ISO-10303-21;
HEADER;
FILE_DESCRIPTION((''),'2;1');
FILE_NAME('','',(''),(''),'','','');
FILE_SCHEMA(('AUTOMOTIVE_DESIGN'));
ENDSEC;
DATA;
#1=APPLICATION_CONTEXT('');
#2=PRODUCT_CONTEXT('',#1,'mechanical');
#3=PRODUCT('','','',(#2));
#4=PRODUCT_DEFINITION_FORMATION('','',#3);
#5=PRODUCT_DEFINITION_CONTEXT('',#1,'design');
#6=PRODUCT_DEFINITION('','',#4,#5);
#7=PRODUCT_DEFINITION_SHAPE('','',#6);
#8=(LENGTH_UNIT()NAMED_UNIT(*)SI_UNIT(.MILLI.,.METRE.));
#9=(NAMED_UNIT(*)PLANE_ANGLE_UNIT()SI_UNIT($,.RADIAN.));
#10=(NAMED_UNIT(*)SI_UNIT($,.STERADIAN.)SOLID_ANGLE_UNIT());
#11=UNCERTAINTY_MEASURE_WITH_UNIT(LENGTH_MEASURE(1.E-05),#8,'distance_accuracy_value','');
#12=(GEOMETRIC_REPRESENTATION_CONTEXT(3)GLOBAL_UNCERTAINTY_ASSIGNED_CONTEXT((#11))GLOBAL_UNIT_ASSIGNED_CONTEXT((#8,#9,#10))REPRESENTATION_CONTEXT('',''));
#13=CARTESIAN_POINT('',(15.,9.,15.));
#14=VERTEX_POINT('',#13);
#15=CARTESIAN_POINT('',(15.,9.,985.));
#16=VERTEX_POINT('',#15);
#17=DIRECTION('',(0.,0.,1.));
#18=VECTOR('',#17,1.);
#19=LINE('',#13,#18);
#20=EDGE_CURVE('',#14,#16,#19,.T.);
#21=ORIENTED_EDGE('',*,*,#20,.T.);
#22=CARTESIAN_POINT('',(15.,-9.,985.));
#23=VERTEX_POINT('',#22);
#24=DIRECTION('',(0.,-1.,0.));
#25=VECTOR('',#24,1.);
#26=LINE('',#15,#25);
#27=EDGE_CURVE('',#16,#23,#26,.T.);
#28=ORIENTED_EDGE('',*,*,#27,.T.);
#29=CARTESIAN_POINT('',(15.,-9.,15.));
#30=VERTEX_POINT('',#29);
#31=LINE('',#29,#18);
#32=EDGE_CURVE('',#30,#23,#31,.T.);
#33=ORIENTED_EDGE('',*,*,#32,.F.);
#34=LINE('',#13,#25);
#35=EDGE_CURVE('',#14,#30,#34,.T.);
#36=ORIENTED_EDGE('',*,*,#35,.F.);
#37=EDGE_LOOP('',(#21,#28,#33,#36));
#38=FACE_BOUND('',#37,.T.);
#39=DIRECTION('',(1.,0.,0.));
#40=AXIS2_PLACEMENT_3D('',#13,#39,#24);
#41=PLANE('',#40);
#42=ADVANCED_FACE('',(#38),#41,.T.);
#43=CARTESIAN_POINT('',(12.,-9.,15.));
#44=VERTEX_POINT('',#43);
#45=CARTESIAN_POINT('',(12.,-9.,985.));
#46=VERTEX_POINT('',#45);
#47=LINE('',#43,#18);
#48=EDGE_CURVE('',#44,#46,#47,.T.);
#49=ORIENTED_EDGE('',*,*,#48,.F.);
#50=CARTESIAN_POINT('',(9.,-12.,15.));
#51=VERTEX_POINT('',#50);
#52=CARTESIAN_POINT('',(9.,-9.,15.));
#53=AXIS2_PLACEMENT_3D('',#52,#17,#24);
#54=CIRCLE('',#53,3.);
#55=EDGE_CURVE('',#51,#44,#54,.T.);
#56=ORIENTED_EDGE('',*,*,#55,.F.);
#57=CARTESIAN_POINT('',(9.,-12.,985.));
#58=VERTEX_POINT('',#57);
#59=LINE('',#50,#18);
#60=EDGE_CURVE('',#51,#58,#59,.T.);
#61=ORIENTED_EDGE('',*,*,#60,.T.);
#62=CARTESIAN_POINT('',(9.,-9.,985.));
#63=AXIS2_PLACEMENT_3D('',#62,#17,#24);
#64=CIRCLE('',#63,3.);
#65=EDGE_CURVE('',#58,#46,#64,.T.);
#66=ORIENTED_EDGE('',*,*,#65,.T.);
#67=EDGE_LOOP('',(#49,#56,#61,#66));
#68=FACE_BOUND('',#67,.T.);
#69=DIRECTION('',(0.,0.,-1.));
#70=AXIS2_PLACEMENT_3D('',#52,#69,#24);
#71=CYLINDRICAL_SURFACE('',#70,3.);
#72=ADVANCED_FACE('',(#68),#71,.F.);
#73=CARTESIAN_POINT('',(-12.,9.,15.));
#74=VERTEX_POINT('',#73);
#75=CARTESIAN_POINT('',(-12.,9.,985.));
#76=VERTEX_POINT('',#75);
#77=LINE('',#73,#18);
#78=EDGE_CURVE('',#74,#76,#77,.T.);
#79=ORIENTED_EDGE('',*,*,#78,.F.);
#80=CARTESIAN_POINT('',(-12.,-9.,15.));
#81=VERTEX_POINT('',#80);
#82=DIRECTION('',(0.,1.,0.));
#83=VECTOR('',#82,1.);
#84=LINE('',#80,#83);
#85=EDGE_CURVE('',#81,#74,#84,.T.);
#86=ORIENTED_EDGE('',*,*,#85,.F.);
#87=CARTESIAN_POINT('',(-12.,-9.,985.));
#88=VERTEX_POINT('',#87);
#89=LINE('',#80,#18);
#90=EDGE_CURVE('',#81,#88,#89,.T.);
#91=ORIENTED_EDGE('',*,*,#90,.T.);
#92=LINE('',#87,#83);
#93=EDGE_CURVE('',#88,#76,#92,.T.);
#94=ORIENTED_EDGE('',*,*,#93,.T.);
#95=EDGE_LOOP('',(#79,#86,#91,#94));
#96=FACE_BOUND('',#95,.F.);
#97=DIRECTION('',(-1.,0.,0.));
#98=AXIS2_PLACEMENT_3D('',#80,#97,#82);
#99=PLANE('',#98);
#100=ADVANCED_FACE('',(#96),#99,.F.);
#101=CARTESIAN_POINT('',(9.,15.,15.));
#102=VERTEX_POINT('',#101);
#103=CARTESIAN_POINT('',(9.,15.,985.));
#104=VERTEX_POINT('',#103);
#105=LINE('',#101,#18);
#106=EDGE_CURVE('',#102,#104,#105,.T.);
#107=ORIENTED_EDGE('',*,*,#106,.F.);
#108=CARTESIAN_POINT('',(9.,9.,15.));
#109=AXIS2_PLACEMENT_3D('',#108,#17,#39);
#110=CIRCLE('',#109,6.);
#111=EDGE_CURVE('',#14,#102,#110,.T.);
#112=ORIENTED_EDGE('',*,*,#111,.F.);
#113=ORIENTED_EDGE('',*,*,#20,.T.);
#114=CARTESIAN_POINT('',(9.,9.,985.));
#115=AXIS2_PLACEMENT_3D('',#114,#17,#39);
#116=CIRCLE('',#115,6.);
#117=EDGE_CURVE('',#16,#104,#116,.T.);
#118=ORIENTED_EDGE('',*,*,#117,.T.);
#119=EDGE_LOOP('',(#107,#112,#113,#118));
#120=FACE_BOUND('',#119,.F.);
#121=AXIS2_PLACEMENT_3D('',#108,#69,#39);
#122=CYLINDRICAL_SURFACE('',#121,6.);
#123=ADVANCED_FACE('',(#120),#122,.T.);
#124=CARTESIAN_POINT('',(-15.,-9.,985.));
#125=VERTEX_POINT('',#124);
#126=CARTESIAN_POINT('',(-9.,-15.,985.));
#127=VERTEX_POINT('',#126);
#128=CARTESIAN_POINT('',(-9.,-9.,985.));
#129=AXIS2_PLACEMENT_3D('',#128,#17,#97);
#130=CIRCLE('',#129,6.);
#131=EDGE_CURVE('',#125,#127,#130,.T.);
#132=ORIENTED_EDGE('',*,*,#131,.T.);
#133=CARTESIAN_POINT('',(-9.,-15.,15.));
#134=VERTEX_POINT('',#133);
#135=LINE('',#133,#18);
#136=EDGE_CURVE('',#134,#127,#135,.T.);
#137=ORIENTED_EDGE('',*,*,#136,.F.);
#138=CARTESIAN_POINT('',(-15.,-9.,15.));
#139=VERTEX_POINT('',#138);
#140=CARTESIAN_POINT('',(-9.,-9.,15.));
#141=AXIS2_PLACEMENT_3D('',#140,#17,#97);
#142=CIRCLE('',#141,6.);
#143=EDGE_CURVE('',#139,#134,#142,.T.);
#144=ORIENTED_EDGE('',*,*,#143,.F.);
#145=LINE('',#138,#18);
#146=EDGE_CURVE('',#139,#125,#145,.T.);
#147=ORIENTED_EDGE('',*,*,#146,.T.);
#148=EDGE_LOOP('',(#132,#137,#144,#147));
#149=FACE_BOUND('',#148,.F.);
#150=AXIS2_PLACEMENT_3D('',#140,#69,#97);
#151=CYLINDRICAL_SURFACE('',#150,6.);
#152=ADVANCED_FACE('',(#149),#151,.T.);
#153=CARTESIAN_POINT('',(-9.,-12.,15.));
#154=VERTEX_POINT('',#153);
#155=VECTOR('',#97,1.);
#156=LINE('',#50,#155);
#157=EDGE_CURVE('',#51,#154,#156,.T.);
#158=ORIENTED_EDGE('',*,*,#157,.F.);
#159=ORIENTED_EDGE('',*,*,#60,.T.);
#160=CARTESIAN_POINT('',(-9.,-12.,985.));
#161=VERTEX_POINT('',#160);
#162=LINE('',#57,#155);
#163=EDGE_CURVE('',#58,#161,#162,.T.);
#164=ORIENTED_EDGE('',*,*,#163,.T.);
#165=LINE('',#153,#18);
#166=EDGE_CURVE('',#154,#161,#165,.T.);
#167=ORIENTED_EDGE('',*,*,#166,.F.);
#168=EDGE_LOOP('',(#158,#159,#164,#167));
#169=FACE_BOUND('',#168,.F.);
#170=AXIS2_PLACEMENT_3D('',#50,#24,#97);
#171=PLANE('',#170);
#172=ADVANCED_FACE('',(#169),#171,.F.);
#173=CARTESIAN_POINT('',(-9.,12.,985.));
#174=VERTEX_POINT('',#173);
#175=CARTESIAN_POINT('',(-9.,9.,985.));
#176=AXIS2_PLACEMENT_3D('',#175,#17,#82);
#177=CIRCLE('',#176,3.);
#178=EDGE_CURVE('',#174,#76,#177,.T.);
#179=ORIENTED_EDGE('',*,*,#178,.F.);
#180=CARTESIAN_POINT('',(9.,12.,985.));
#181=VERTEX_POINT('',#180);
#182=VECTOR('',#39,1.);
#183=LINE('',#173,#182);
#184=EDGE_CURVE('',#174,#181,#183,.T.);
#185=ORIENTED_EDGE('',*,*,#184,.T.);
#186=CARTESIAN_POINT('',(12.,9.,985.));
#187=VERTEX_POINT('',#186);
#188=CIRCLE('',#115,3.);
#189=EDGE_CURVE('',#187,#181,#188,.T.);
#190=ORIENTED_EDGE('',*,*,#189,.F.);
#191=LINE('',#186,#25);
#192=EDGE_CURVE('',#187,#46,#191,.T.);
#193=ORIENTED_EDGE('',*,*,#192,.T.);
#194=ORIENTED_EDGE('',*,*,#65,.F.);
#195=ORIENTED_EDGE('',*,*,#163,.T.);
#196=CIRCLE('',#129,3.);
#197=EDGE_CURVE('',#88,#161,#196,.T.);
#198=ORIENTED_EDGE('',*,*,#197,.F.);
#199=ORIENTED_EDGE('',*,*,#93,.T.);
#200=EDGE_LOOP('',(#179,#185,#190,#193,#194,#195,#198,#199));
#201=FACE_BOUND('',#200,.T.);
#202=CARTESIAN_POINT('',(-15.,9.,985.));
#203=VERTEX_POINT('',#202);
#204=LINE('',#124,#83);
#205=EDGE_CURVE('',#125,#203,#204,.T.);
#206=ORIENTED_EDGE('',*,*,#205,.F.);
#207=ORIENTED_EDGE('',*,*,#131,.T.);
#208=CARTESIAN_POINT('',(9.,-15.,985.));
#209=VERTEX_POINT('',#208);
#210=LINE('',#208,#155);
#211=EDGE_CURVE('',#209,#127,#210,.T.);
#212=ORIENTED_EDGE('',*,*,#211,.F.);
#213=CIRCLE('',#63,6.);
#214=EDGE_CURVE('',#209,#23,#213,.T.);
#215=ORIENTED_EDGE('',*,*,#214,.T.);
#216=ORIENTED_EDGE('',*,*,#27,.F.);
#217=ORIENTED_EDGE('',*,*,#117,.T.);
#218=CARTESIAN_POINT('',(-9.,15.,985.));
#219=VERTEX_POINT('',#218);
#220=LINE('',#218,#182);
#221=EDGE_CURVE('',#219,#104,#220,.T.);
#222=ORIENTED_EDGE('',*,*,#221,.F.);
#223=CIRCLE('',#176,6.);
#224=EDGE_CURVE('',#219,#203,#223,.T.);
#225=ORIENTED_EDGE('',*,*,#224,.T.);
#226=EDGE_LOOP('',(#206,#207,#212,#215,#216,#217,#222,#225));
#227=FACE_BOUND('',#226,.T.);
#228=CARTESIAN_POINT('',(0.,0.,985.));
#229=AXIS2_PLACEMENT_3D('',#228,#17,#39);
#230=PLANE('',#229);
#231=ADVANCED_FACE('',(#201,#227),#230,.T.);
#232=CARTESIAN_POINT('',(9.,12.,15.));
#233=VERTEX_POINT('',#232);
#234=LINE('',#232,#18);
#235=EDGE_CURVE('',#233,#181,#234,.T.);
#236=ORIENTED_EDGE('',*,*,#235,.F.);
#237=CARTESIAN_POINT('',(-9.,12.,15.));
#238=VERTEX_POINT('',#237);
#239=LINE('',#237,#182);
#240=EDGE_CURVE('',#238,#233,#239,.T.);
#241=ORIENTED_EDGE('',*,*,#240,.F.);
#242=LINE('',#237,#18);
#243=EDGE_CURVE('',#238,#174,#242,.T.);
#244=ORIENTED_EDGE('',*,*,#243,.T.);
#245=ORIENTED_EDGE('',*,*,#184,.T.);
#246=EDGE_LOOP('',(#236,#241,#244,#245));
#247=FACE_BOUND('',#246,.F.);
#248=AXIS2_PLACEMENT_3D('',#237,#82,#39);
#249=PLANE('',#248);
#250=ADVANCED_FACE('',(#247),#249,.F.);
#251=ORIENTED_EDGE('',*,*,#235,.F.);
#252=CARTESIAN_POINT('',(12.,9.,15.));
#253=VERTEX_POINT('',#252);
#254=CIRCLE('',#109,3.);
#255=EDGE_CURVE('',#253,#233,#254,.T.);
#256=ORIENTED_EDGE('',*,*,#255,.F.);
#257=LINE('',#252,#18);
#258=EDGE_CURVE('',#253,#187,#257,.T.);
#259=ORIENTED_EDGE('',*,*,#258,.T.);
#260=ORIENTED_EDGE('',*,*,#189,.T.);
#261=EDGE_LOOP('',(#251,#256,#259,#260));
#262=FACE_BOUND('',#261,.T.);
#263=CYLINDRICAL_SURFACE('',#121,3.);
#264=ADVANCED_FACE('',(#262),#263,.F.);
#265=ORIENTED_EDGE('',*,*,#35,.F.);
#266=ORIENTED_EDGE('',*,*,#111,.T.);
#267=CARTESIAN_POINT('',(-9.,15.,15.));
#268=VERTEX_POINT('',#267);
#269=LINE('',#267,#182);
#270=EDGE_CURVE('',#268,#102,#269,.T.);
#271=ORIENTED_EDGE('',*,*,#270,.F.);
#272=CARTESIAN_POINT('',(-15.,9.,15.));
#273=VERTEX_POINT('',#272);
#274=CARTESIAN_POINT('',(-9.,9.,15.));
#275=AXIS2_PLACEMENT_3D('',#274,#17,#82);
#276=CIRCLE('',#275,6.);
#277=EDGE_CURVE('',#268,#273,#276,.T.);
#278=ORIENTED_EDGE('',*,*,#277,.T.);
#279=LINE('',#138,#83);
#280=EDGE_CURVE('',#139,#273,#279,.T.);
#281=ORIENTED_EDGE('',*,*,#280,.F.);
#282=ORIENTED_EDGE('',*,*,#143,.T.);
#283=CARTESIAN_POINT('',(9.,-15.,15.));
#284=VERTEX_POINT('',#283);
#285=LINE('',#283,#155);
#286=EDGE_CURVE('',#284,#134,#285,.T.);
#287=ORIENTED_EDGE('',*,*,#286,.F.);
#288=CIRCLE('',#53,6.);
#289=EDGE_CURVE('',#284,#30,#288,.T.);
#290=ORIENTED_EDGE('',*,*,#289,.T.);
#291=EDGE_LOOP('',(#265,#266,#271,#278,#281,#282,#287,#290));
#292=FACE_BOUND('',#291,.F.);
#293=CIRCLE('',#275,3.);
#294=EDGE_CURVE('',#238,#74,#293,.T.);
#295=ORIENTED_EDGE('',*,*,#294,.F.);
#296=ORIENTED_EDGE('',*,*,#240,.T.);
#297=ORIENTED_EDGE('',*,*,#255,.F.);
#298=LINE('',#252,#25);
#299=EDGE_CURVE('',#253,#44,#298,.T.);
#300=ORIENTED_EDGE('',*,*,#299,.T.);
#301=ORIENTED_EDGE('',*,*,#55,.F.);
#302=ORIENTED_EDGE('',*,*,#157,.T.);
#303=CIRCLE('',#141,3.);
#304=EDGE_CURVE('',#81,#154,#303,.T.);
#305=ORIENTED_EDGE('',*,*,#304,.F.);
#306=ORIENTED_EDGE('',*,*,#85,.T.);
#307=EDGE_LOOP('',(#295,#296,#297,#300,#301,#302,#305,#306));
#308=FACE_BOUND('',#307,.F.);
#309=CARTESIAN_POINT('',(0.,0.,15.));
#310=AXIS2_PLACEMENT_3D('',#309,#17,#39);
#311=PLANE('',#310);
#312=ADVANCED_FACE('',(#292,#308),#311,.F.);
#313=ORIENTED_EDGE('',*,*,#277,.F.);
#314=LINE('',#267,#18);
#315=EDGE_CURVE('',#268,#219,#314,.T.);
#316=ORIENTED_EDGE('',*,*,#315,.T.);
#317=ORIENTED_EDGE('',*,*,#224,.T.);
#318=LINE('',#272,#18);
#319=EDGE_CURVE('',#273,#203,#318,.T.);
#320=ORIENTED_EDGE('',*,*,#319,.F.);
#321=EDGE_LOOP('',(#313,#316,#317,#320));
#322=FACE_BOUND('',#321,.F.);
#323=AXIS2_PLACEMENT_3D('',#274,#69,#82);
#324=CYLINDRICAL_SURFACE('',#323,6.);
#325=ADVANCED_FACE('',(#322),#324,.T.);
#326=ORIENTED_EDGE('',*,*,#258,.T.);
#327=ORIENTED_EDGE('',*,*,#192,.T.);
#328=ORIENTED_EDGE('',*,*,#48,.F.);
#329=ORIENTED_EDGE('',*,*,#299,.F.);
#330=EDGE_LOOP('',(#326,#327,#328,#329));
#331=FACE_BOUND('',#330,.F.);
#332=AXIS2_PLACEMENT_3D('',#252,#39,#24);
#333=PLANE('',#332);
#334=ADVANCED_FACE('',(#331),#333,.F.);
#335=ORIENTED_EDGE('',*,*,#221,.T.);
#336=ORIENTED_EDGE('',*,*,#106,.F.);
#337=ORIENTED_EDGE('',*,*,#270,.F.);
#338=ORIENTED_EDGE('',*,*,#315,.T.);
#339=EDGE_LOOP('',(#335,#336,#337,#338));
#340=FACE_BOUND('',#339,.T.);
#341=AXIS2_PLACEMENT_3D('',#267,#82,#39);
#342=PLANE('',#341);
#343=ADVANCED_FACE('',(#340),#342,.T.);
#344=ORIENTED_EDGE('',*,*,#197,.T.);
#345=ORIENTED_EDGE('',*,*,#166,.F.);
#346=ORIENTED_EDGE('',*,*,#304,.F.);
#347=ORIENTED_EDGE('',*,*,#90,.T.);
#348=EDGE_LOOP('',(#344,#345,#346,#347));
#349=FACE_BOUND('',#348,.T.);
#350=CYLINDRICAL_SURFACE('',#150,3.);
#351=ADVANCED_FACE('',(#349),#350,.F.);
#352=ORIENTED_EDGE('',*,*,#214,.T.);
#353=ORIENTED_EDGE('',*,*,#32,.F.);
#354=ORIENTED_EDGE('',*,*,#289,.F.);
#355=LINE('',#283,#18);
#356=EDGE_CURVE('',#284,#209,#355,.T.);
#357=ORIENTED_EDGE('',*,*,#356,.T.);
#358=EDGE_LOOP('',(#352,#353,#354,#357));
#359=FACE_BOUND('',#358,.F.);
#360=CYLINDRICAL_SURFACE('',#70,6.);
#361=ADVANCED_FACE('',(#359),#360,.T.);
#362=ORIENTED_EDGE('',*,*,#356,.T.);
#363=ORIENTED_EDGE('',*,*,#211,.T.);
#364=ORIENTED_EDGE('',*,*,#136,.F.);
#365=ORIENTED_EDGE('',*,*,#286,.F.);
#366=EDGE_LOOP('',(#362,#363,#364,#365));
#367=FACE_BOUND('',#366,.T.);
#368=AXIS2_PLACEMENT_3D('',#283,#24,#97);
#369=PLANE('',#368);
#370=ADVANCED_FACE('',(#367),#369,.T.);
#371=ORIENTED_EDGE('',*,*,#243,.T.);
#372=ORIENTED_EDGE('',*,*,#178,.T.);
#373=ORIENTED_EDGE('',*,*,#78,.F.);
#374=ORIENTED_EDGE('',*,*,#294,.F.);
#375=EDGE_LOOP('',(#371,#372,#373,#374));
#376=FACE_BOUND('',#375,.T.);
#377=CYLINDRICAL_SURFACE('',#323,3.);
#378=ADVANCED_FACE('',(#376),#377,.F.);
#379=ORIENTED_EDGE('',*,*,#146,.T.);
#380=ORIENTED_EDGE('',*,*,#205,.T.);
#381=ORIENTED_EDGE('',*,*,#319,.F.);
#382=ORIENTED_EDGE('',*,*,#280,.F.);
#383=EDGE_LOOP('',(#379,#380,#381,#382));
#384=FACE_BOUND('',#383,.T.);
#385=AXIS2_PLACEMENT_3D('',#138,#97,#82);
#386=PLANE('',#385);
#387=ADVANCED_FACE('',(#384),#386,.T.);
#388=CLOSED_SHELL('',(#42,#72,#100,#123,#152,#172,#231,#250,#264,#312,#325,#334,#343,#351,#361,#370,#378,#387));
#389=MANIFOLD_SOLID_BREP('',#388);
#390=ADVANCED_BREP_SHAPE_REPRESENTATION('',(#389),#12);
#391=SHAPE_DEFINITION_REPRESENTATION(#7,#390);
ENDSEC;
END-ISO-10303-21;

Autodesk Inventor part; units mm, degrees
ref_plane "Start Plane" through (0, 0, 15) normal (0, 0, 1) x (1, 0, 0)
ref_plane "End Plane" through (0, 0, 985) normal (0, 0, 1) x (1, 0, 0)
sketch "Sketch" plane through (0, 0, 0) normal (0, 0, 1) x (1, 0, 0)
  line L0 (-15, -9) -> (-15, 9)
  line L1 (-9, 15) -> (9, 15)
  line L2 (15, 9) -> (15, -9)
  line L3 (9, -15) -> (-9, -15)
  arc A0 (-15, -9) -> (-9, -15) centre (-9, -9) ccw
  arc A1 (-9, 15) -> (-15, 9) centre (-9, 9) ccw
  arc A2 (15, 9) -> (9, 15) centre (9, 9) ccw
  arc A3 (9, -15) -> (15, -9) centre (9, -9) ccw
  arc A4 (-9, 12) -> (-12, 9) centre (-9, 9) ccw
  line L4 (-9, 12) -> (9, 12)
  arc A5 (12, 9) -> (9, 12) centre (9, 9) ccw
  line L5 (12, 9) -> (12, -9)
  arc A6 (9, -12) -> (12, -9) centre (9, -9) ccw
  line L6 (9, -12) -> (-9, -12)
  arc A7 (-12, -9) -> (-9, -12) centre (-9, -9) ccw
  line L7 (-12, -9) -> (-12, 9)
  line L8 (0, 22.7397) -> (0, -22.7397) construction
  line L9 (-22.7397, 0) -> (22.7397, 0) construction
  dimension "d7" = 6
  dimension "d10" = 30
  dimension "d11" = 30
  dimension "d12" = 3
  dimension "d15" = 15
  dimension "d16" = 15
extrude "Body" add sketch "Sketch" along normal up to surface (970 mm away) from surface at 15
sketch "Sketch3" plane through (0, 0, 0) normal (0, 0, 1) x (1, 0, 0)
  line L0 (0, 0) -> (10, 0)
ref_plane "Work Plane3" through (0, 0, 0) normal (0, -1, 0) x (1, 0, 0)
ref_plane "Work Plane4" through (-9, 365, 985) normal (0, 0, 1) x (1, 0, 0)
split "Split1" plane through (-9, 365, 985) removes the side toward (0, 0, 1)
ref_plane "Work Plane5" through (9, 365, 15) normal (0, 0, -1) x (-1, 0, 0)
split "Split2" plane through (9, 365, 15) removes the side toward (0, 0, -1)
sketch "Sketch4" plane through (0, 0, 0) normal (0, -1, 0) x (1, 0, 0)
  line L0 (-2, 15) -> (12, 15) projected
  line L1 (-2, 985) -> (12, 985) projected
  dimension "d18" = 970
equation "\"d7\" = G_IR"
equation "\"d10\" = G_H"
equation "\"d11\" = G_W"
equation "\"d12\" = G_T"
equation "\"d15\" = 0.5 * d10"
equation "\"d16\" = 0.5 * d11"
equation "\"d3\" = G_L"
equation "\"G_W\" = 30"
equation "\"G_H\" = 30"
equation "\"G_T\" = 3"
equation "\"G_IR\" = 6"
equation "\"G_L\" = d18"
equation "\"G_OFFSET_START\" = -15"
equation "\"G_OFFSET_END\" = -15"
equation "\"d13\" = -G_OFFSET_START"
equation "\"d14\" = G_OFFSET_END + B_L"
equation "\"B_L\" = 1000"
properties part number "DIN EN 10219-2 - 30 x 30 x 3  - 970" material "Steel, Mild"
